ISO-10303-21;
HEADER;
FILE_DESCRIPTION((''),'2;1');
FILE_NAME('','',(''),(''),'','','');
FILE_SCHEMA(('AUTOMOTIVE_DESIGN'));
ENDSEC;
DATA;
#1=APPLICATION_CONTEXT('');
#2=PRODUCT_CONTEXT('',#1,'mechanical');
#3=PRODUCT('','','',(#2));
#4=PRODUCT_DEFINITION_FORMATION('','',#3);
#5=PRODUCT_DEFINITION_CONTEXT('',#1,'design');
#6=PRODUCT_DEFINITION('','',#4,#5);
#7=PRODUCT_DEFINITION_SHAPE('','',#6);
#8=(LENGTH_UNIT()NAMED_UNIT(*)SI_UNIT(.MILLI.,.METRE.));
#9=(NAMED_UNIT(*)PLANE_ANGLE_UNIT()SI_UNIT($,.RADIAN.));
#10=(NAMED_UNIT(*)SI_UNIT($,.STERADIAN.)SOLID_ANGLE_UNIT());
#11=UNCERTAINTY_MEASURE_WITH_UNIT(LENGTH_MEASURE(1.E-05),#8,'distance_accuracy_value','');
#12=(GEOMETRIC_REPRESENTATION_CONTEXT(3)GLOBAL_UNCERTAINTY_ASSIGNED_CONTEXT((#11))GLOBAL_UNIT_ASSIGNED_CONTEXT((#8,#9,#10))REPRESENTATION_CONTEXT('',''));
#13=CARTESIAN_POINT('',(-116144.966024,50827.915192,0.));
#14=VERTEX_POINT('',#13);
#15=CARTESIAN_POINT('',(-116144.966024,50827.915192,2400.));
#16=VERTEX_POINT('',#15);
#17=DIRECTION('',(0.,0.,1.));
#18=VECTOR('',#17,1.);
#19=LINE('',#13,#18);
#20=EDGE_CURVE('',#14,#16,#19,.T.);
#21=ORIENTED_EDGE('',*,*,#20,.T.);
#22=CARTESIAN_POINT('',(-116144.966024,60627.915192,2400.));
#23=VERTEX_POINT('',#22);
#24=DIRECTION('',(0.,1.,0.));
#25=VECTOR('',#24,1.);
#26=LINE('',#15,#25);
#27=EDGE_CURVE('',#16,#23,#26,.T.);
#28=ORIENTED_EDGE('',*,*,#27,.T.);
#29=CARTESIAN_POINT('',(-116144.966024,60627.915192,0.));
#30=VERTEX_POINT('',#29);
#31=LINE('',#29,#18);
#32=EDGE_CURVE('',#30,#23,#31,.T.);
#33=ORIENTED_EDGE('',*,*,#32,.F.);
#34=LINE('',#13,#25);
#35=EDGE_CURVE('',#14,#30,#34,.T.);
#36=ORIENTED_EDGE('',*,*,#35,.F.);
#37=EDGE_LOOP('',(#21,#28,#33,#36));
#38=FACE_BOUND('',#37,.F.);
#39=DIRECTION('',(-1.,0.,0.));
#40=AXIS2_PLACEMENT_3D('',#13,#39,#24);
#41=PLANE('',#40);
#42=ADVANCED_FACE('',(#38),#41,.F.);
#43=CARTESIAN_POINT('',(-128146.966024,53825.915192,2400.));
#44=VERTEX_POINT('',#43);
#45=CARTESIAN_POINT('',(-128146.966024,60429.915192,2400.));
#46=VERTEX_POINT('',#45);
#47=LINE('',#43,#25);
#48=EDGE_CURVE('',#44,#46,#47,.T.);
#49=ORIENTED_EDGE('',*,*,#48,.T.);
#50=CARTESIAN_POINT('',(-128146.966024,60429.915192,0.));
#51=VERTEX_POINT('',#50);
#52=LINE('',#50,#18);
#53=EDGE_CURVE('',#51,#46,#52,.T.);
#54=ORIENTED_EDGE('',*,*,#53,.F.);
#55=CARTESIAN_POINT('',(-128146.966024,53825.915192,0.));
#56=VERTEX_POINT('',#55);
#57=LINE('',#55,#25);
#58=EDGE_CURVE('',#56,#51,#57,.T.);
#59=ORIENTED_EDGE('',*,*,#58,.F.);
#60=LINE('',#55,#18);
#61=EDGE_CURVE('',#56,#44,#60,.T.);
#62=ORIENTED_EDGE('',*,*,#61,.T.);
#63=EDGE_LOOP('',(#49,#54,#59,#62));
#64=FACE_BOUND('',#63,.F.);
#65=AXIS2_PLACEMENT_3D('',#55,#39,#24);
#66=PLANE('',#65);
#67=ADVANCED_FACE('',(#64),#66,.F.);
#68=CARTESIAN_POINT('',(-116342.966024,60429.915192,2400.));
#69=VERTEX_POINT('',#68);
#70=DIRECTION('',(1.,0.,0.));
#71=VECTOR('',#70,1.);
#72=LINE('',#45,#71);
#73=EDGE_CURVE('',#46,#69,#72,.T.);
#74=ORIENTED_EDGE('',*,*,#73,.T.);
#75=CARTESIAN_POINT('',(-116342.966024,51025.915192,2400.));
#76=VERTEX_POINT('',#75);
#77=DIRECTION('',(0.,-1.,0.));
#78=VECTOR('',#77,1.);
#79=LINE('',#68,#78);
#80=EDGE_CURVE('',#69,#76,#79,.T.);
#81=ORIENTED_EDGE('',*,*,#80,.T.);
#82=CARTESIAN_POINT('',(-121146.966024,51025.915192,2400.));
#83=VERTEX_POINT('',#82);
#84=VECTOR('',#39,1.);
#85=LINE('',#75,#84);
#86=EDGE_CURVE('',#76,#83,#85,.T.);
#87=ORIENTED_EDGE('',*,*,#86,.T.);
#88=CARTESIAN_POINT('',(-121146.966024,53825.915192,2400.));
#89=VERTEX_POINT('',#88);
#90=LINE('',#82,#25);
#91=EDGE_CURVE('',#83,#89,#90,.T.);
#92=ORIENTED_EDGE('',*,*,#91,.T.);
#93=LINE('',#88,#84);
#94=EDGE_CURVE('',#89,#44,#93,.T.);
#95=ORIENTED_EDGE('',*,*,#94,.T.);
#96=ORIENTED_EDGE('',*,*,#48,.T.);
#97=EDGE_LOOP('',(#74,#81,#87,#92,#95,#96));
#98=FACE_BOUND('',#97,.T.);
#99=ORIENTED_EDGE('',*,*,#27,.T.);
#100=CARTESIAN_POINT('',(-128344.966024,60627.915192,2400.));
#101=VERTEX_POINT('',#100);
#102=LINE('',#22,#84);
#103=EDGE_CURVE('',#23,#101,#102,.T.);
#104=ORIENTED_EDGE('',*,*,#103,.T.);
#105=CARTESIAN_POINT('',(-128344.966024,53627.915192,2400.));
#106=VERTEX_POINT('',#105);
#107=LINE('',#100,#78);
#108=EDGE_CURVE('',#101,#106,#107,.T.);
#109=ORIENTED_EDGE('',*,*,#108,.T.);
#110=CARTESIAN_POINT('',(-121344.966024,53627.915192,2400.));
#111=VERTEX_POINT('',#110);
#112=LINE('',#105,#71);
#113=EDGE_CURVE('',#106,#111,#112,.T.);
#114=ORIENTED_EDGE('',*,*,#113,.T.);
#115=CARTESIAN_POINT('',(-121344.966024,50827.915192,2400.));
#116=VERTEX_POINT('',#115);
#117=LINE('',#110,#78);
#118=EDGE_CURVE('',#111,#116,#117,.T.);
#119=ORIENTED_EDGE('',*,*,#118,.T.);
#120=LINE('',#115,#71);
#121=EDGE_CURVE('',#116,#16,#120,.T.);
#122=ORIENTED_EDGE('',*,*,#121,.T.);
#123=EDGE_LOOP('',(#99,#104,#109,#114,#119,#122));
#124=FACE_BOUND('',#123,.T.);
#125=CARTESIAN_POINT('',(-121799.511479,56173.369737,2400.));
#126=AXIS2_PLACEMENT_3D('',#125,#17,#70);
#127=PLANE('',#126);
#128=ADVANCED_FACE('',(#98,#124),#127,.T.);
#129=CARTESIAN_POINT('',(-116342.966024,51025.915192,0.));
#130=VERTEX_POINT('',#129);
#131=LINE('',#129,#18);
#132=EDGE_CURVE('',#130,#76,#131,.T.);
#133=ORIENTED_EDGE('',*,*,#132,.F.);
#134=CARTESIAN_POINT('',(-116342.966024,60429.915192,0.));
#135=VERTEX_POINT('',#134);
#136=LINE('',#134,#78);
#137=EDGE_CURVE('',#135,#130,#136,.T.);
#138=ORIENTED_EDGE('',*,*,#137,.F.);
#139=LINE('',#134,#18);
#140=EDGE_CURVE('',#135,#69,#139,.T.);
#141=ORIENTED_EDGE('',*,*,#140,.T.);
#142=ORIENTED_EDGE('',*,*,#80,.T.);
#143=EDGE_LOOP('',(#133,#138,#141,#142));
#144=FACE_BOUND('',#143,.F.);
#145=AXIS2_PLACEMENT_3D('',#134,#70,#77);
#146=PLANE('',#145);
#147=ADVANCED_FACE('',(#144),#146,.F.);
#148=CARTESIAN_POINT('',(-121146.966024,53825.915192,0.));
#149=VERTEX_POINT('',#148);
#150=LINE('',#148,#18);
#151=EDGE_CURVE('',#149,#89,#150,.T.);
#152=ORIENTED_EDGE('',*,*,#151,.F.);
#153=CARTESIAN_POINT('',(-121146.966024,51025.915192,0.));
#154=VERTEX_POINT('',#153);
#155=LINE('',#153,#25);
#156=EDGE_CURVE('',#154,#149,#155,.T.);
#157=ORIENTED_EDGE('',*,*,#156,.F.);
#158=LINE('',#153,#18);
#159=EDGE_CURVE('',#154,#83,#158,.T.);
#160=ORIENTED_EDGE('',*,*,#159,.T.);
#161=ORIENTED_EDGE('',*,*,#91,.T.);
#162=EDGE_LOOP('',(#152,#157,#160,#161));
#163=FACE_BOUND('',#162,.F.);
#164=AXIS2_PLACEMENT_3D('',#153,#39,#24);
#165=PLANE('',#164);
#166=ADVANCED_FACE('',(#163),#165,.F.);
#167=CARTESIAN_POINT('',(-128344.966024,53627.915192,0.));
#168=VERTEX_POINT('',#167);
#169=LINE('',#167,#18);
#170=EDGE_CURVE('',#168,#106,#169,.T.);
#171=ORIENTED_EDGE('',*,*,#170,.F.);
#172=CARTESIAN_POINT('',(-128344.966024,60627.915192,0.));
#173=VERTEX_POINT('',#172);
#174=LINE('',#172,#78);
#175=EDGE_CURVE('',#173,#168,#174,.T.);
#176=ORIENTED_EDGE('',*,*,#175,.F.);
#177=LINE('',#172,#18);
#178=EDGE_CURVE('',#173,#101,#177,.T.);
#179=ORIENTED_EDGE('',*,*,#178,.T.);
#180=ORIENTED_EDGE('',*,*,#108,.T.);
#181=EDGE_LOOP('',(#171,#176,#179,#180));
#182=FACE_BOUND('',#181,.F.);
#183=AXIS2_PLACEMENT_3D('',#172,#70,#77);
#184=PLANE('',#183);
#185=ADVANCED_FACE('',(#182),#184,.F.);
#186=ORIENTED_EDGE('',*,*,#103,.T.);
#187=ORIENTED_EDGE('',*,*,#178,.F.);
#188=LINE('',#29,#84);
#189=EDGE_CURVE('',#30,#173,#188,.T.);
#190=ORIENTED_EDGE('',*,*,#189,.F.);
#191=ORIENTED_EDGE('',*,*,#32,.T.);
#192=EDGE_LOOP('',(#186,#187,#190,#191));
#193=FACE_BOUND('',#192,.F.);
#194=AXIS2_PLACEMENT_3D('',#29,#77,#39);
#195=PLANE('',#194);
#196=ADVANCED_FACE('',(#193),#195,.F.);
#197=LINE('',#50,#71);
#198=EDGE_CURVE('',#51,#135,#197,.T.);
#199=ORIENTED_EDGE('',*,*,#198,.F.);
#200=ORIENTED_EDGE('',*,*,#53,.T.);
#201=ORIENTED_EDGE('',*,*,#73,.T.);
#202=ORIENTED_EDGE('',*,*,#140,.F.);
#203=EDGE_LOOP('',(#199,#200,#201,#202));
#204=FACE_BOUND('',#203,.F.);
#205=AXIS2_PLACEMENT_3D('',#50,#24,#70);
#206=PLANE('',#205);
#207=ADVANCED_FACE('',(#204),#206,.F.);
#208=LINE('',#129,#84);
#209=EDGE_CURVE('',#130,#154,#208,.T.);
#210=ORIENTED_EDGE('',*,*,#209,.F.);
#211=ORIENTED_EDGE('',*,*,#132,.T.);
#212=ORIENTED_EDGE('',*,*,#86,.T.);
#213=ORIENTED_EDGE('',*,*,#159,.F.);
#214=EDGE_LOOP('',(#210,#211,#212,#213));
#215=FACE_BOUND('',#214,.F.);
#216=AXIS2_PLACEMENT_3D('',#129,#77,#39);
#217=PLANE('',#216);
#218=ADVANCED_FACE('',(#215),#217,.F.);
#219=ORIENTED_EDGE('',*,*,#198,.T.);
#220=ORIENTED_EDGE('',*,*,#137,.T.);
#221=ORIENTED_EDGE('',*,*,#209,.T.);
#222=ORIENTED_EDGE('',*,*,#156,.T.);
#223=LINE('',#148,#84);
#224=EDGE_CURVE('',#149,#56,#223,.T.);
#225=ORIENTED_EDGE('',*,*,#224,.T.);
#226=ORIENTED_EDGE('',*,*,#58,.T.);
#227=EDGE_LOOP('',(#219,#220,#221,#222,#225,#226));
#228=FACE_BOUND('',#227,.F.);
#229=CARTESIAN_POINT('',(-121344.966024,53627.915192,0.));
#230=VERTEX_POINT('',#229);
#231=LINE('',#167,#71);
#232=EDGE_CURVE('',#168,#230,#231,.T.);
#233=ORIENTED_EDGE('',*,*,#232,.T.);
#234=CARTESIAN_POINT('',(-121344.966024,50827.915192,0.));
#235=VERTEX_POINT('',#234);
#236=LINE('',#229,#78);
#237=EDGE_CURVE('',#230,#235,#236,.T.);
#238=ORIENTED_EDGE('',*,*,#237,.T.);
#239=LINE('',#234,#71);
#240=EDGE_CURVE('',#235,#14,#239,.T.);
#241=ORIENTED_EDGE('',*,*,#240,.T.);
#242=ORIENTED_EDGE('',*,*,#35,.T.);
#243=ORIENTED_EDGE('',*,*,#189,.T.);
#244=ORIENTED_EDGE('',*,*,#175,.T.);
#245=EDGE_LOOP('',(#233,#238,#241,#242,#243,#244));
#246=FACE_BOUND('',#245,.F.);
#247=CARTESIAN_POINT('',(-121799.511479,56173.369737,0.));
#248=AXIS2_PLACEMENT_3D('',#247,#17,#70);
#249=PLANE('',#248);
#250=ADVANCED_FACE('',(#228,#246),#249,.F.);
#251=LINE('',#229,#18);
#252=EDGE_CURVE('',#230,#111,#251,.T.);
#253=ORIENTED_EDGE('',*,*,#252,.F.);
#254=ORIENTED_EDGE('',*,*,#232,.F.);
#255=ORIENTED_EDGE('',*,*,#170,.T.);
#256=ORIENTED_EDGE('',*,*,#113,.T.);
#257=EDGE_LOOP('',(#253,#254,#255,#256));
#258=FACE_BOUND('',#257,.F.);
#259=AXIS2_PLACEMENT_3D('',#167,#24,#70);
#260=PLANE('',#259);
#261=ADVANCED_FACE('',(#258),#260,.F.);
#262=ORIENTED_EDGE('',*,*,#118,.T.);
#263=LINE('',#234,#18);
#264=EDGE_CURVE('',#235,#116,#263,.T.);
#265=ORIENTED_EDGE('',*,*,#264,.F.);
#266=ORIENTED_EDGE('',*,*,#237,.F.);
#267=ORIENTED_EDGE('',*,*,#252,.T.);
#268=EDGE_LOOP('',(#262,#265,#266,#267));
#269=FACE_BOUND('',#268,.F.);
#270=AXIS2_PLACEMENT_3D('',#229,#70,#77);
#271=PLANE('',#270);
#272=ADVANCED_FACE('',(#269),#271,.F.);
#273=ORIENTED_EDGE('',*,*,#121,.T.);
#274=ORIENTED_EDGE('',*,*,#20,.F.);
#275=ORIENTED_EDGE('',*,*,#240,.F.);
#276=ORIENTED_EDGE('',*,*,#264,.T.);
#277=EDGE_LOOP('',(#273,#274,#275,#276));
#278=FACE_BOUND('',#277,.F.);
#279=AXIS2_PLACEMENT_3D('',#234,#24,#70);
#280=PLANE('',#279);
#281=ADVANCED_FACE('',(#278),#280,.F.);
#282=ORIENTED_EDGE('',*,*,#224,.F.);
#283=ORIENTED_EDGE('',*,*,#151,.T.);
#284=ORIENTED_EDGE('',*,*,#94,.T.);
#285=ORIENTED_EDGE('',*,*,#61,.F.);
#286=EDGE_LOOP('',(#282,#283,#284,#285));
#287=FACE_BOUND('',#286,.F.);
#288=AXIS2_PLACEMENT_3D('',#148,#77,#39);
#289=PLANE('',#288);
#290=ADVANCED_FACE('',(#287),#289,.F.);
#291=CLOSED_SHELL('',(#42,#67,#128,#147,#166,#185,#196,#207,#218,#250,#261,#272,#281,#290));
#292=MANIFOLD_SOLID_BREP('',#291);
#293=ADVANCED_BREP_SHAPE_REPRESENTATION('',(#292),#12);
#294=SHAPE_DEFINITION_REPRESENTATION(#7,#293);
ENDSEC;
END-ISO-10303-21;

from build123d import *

# Parameters (mm, degrees)
F1_DEPTH = 2400


with BuildPart() as f1:
    # F0 (on Top) → F1 (new body)
    with BuildSketch(Plane.XY):
        Polygon((-116144.966024, 60627.915192), (-128344.966024, 60627.915192), (-128344.966024, 53627.915192), (-121344.966024, 53627.915192), (-121344.966024, 50827.915192), (-121146.966024, 50827.915192), (-116144.966024, 50827.915192), align=None)
        Polygon((-121146.966024, 53825.915192), (-128146.966024, 53825.915192), (-128146.966024, 60429.915192), (-116342.966024, 60429.915192), (-116342.966024, 51025.915192), (-121146.966024, 51025.915192), align=None, mode=Mode.SUBTRACT)
    extrude(amount=F1_DEPTH)


solid = f1.part
